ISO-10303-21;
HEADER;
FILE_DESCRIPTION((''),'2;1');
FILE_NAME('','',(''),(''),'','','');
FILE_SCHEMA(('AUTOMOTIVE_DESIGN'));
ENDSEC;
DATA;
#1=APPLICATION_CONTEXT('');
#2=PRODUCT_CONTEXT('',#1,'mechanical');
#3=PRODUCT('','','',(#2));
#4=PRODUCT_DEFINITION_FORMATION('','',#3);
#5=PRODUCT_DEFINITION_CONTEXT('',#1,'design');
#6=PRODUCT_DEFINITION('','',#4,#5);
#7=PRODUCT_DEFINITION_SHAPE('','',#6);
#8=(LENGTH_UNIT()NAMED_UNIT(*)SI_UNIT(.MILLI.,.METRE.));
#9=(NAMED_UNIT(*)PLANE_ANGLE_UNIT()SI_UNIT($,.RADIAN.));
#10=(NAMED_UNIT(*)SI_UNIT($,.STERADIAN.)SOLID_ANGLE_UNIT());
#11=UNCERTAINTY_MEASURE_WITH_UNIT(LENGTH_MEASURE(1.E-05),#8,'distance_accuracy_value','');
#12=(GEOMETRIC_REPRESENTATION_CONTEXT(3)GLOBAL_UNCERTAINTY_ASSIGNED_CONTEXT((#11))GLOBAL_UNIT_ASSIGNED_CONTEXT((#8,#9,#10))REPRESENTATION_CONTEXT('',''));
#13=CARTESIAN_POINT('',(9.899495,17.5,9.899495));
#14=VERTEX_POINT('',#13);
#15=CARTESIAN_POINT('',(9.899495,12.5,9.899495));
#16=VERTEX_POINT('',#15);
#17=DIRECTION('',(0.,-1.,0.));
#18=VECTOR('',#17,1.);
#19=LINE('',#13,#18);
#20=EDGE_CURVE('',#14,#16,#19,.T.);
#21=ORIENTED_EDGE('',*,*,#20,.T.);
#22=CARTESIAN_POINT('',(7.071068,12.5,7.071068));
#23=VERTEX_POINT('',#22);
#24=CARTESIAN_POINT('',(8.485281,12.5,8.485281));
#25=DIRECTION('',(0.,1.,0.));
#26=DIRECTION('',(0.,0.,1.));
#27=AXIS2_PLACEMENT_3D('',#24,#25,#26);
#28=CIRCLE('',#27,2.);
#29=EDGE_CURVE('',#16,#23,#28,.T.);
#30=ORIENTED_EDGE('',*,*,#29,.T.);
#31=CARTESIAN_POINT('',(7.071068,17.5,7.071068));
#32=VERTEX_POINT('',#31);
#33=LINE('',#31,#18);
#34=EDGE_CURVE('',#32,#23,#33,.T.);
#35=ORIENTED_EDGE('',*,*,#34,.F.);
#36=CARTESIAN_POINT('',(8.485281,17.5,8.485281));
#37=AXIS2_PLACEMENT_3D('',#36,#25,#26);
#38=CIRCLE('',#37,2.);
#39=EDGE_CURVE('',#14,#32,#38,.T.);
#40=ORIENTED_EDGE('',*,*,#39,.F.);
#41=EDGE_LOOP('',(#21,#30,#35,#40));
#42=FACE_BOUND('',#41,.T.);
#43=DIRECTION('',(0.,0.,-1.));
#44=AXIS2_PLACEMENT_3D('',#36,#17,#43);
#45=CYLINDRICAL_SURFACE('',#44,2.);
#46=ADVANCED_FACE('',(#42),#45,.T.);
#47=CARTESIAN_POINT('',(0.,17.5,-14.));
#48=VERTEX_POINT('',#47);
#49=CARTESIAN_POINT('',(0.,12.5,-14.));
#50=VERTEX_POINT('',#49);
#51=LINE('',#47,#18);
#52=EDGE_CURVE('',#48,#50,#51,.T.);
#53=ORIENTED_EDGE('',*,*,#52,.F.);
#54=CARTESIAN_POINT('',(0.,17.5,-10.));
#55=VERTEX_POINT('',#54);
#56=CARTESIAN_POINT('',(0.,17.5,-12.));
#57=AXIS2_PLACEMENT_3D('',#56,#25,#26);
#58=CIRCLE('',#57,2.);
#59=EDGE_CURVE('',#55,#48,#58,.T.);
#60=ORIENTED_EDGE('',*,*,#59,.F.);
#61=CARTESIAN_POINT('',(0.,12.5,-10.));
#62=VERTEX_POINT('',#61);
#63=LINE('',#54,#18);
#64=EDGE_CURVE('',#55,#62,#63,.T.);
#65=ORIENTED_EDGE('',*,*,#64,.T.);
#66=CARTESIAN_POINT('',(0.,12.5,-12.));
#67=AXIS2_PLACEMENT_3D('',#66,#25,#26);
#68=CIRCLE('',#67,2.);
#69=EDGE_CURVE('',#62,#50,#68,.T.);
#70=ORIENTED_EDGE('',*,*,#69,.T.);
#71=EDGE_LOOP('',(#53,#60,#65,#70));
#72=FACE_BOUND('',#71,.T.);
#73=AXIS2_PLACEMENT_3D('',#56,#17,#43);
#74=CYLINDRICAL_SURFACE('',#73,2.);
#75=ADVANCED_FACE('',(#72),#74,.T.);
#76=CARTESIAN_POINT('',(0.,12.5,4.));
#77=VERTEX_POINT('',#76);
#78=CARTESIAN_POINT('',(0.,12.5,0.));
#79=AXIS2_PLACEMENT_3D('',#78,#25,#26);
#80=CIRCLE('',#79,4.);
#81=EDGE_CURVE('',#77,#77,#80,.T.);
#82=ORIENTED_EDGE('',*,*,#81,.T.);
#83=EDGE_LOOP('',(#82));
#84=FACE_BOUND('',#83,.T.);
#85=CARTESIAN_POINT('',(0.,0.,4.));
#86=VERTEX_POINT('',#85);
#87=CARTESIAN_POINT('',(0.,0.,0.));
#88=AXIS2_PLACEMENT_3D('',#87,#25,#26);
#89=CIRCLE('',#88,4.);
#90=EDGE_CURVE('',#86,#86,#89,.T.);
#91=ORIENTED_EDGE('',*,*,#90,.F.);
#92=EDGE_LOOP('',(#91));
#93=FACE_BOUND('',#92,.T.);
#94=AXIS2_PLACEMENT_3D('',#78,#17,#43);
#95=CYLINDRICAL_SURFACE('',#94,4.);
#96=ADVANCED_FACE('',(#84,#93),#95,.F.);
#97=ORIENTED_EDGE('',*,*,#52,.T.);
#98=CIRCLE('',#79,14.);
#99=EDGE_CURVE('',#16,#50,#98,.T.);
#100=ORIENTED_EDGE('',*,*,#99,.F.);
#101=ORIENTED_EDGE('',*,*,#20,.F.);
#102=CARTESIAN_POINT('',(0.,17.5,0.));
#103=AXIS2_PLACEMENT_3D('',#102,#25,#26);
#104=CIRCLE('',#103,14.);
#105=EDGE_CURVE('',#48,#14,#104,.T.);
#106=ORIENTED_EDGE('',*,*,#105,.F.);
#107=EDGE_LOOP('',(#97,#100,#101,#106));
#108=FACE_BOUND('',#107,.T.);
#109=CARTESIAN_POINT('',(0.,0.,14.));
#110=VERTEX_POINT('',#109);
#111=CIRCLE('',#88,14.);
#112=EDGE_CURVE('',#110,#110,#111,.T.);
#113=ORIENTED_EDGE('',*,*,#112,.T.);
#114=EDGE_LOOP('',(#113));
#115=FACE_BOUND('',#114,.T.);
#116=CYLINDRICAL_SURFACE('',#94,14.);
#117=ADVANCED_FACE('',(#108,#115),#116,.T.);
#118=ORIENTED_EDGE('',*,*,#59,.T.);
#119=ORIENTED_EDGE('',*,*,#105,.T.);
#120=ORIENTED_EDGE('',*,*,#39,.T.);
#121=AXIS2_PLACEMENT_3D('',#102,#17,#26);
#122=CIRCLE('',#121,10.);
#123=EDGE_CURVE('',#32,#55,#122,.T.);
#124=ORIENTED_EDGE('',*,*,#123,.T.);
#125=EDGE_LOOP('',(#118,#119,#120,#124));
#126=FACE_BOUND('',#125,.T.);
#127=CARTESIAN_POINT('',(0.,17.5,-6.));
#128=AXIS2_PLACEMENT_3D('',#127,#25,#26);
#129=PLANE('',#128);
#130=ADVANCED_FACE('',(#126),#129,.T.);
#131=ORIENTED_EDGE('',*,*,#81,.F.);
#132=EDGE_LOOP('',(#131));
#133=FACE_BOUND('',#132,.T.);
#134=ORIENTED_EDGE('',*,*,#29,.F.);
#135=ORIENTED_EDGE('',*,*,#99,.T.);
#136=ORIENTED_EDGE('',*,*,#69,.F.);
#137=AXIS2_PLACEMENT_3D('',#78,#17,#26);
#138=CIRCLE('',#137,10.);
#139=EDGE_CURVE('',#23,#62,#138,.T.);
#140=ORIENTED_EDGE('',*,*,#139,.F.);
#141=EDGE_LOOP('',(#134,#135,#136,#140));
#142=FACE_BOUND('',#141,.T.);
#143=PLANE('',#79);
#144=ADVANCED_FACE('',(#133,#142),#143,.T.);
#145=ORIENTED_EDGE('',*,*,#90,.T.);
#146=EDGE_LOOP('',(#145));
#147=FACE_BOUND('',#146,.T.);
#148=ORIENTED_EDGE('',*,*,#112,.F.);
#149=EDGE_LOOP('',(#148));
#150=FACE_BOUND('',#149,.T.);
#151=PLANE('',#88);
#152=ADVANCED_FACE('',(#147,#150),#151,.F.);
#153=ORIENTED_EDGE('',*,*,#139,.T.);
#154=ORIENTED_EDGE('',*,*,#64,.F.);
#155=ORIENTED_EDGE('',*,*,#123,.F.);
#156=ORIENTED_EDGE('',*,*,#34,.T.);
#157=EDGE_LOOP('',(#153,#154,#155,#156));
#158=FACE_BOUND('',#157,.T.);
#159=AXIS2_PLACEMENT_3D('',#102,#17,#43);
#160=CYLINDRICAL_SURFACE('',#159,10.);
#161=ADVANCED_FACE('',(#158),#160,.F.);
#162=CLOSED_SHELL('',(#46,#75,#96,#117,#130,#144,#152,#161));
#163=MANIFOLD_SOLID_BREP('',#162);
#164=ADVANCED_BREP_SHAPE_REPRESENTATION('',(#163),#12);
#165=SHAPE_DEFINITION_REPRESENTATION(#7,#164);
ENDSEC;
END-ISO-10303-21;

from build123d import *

# Parameters (mm, degrees)
SKETCH5_R           = 14
SKETCH5_R_2         = 4
BOSS_EXTRUDE3_DEPTH = 12.5
BOSS_EXTRUDE4_DEPTH = 5


with BuildPart() as part:
    # Sketch5 → Boss-Extrude3 (new body)
    with BuildSketch(Plane(origin=(0, 0, 0), x_dir=(1, 0, 0), z_dir=(0, 1, 0))):
        with Locations(Location((0, 0, 0), (0, 0, 270))):
            Circle(SKETCH5_R)
        with Locations(Location((0, 0, 0), (0, 0, 270))):
            Circle(SKETCH5_R_2, mode=Mode.SUBTRACT)
    extrude(amount=BOSS_EXTRUDE3_DEPTH)

    # Sketch6 → Boss-Extrude4 (add)
    with BuildSketch(Plane(origin=(0, 12.5, 0), x_dir=(1, 0, 0), z_dir=(0, 1, 0))):
        with BuildLine():
            ThreePointArc((0, 14), (-12.934313455, -5.357568053), (9.899494937, -9.899494937))
            ThreePointArc((9.899494937, -9.899494937), (9.899494937, -7.071067812), (7.071067812, -7.071067812))
            ThreePointArc((7.071067812, -7.071067812), (-9.238795325, -3.826834324), (0, 10))
            ThreePointArc((0, 10), (2, 12), (0, 14))
        make_face()
    extrude(amount=BOSS_EXTRUDE4_DEPTH)


solid = part.part
